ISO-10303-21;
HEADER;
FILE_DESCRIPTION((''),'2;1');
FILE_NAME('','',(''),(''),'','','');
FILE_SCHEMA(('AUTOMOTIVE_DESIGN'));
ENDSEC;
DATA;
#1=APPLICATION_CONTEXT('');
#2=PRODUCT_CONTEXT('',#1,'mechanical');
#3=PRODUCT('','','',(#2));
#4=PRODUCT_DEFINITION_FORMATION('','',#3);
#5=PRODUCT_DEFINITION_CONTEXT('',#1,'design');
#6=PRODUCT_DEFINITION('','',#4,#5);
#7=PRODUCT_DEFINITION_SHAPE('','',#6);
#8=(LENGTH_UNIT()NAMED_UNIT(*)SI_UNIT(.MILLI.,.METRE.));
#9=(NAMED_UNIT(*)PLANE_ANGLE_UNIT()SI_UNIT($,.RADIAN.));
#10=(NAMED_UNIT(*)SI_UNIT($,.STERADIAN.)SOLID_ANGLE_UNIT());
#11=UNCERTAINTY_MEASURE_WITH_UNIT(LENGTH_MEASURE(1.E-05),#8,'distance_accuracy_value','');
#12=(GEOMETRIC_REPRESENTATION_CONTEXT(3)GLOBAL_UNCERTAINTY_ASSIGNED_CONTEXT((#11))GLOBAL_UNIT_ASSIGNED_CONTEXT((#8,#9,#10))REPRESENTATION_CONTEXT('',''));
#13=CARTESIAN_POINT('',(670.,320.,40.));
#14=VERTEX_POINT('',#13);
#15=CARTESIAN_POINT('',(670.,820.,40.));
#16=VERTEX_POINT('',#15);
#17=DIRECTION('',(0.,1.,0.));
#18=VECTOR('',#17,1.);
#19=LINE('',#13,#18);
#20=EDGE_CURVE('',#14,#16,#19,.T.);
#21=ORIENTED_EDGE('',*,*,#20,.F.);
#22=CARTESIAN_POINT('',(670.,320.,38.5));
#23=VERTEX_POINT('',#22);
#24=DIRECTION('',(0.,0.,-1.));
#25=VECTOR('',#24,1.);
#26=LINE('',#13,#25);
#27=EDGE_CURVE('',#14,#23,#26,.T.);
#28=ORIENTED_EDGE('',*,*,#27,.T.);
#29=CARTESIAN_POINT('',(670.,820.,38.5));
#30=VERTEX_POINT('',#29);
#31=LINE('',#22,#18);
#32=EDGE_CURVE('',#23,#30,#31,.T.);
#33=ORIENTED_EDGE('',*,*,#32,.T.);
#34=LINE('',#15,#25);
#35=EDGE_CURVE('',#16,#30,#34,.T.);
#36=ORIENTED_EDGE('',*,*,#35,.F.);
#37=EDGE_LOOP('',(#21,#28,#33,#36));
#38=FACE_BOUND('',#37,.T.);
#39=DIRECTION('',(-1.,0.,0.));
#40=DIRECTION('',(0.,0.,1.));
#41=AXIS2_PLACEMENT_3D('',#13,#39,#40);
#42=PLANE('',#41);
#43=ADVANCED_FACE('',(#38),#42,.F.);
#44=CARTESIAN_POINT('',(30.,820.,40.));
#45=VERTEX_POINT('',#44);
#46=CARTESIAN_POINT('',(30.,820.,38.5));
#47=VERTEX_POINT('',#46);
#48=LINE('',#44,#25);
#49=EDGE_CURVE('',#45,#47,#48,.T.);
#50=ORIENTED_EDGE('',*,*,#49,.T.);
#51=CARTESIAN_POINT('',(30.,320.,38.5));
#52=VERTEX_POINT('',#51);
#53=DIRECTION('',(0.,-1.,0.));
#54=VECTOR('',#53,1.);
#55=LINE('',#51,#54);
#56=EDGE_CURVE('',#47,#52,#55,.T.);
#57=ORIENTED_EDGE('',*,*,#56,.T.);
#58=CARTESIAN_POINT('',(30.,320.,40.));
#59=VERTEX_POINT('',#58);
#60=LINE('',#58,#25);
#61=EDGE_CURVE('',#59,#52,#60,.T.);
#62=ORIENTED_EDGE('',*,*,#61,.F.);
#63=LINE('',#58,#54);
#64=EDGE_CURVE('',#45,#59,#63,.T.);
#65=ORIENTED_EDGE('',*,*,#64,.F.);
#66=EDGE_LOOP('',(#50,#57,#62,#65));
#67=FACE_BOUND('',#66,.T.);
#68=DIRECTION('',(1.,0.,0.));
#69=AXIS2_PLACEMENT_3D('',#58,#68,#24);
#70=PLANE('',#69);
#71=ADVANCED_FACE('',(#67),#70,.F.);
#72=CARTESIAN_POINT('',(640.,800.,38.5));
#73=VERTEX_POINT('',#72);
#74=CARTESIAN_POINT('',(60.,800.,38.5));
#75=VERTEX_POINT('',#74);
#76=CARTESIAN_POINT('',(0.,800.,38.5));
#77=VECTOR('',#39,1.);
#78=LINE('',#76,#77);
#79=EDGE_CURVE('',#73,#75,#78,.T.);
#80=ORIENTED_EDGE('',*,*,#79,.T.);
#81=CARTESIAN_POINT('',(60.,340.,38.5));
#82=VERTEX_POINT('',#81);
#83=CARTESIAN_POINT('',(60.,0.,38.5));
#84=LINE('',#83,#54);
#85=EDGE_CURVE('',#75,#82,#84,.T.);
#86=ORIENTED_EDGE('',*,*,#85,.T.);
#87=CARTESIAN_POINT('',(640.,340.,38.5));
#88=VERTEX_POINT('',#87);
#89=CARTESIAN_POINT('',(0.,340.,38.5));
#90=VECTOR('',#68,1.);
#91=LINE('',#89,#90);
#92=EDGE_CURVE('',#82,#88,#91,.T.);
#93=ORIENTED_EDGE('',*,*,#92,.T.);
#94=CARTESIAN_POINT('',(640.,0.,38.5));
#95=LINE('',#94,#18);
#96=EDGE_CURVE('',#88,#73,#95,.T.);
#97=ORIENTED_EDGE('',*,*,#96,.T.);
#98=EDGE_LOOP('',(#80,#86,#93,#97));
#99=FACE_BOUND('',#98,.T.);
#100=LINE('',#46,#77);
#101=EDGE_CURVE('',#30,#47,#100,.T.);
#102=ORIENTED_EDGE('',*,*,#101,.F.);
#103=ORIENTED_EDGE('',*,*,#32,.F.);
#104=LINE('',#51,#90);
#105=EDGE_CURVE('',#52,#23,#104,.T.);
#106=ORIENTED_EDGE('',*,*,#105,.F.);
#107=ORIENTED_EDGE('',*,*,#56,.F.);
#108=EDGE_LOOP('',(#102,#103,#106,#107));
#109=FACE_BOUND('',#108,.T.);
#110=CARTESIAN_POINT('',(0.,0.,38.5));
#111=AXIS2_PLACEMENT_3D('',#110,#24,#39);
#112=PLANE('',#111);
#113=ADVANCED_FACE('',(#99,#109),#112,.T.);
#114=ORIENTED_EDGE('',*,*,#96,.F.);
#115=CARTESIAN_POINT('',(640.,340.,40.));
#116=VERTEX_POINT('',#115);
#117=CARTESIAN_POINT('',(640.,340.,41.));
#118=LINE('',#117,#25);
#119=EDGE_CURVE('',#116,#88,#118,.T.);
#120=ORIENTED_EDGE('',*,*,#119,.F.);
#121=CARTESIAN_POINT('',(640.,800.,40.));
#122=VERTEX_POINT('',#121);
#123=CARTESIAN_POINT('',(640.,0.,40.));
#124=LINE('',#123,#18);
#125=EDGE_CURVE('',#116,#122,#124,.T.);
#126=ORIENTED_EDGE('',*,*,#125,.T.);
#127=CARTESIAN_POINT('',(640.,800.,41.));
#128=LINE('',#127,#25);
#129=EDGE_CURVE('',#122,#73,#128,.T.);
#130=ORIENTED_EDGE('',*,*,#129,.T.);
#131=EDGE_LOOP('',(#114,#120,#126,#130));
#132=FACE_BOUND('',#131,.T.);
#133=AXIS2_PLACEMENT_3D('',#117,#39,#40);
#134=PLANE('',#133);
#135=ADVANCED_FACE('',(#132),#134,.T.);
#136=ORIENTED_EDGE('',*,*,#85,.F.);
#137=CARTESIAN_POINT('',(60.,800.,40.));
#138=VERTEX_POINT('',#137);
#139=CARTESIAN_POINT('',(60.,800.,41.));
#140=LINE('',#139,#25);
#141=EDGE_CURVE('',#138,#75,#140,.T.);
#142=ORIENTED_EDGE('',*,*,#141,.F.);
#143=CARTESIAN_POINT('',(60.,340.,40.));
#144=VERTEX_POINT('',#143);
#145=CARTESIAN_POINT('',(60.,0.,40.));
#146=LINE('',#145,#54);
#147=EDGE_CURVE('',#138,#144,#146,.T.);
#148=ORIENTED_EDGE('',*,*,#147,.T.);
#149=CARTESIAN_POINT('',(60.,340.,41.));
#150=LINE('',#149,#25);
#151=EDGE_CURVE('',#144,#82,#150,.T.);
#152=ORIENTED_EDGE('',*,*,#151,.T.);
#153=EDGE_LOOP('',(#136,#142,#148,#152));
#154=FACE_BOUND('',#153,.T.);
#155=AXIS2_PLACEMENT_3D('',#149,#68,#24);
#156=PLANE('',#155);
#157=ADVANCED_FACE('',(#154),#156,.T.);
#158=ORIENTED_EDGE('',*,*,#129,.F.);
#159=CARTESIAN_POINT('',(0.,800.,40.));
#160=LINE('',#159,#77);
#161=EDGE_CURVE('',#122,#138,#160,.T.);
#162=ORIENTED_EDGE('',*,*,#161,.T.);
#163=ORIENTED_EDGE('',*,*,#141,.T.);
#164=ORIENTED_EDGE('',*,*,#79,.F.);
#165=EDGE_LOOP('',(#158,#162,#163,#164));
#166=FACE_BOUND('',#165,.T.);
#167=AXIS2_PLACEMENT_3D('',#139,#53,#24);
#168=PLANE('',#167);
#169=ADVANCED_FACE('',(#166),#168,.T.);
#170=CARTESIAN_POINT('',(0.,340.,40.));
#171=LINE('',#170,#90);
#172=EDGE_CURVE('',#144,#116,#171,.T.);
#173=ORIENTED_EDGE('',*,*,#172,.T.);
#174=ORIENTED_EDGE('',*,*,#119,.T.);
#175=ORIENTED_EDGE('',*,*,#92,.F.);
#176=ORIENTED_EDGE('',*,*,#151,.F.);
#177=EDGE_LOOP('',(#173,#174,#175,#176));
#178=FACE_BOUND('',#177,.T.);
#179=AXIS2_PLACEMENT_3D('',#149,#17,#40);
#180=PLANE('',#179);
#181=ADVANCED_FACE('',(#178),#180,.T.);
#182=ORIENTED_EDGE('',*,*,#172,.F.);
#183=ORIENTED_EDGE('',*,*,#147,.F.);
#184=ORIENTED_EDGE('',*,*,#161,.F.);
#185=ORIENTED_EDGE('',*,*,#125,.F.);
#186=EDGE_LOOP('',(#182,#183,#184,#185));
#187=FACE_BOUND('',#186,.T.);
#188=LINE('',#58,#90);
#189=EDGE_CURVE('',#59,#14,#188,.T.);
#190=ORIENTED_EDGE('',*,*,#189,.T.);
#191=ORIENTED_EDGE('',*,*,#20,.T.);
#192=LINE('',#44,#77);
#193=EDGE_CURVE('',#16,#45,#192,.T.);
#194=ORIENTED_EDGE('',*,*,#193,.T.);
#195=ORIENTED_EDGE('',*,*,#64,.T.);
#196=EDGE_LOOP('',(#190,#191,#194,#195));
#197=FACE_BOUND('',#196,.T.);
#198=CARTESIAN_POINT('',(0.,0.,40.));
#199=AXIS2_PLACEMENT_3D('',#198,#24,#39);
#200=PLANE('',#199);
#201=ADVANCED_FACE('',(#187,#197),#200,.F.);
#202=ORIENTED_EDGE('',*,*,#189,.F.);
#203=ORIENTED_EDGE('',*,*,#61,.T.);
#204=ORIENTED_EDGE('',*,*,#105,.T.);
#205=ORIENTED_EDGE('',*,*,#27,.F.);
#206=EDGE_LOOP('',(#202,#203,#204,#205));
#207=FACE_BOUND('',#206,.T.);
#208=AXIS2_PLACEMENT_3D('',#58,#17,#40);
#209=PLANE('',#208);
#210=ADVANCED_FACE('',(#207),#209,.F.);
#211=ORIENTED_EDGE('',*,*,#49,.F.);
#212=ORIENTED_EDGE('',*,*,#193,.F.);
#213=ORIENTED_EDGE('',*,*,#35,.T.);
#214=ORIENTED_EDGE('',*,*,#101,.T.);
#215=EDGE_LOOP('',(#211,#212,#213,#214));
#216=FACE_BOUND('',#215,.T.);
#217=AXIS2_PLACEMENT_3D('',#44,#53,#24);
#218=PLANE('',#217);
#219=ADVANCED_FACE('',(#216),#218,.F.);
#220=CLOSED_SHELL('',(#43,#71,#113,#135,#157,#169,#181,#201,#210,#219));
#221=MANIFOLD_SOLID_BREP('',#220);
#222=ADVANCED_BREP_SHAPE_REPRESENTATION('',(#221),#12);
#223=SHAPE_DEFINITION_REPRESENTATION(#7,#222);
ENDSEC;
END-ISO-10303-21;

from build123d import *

# Parameters (mm, degrees)
OVEN_PANEL_KESME_1_START = 38.5
SKETCH1_W                = 640
SKETCH1_H                = 500
OVEN_PANEL_KESME_1_DEPTH = 1.5
OVEN_PANEL_KESME_2_START = 37.5
SKETCH2_W                = 580
SKETCH2_H                = 460
OVEN_PANEL_KESME_2_DEPTH = 3.5


with BuildPart() as part:
    # Sketch1 → OVEN_panel_kesme_1 (new body)
    with BuildSketch(Plane.XY.offset(OVEN_PANEL_KESME_1_START)):
        with Locations((350, 570)):
            Rectangle(SKETCH1_W, SKETCH1_H)
    extrude(amount=OVEN_PANEL_KESME_1_DEPTH)

    # Sketch2 → OVEN_panel_kesme_2 (cut)
    with BuildSketch(Plane.XY.offset(OVEN_PANEL_KESME_2_START)):
        with Locations((350, 570)):
            Rectangle(SKETCH2_W, SKETCH2_H)
    extrude(amount=OVEN_PANEL_KESME_2_DEPTH, mode=Mode.SUBTRACT)


solid = part.part
